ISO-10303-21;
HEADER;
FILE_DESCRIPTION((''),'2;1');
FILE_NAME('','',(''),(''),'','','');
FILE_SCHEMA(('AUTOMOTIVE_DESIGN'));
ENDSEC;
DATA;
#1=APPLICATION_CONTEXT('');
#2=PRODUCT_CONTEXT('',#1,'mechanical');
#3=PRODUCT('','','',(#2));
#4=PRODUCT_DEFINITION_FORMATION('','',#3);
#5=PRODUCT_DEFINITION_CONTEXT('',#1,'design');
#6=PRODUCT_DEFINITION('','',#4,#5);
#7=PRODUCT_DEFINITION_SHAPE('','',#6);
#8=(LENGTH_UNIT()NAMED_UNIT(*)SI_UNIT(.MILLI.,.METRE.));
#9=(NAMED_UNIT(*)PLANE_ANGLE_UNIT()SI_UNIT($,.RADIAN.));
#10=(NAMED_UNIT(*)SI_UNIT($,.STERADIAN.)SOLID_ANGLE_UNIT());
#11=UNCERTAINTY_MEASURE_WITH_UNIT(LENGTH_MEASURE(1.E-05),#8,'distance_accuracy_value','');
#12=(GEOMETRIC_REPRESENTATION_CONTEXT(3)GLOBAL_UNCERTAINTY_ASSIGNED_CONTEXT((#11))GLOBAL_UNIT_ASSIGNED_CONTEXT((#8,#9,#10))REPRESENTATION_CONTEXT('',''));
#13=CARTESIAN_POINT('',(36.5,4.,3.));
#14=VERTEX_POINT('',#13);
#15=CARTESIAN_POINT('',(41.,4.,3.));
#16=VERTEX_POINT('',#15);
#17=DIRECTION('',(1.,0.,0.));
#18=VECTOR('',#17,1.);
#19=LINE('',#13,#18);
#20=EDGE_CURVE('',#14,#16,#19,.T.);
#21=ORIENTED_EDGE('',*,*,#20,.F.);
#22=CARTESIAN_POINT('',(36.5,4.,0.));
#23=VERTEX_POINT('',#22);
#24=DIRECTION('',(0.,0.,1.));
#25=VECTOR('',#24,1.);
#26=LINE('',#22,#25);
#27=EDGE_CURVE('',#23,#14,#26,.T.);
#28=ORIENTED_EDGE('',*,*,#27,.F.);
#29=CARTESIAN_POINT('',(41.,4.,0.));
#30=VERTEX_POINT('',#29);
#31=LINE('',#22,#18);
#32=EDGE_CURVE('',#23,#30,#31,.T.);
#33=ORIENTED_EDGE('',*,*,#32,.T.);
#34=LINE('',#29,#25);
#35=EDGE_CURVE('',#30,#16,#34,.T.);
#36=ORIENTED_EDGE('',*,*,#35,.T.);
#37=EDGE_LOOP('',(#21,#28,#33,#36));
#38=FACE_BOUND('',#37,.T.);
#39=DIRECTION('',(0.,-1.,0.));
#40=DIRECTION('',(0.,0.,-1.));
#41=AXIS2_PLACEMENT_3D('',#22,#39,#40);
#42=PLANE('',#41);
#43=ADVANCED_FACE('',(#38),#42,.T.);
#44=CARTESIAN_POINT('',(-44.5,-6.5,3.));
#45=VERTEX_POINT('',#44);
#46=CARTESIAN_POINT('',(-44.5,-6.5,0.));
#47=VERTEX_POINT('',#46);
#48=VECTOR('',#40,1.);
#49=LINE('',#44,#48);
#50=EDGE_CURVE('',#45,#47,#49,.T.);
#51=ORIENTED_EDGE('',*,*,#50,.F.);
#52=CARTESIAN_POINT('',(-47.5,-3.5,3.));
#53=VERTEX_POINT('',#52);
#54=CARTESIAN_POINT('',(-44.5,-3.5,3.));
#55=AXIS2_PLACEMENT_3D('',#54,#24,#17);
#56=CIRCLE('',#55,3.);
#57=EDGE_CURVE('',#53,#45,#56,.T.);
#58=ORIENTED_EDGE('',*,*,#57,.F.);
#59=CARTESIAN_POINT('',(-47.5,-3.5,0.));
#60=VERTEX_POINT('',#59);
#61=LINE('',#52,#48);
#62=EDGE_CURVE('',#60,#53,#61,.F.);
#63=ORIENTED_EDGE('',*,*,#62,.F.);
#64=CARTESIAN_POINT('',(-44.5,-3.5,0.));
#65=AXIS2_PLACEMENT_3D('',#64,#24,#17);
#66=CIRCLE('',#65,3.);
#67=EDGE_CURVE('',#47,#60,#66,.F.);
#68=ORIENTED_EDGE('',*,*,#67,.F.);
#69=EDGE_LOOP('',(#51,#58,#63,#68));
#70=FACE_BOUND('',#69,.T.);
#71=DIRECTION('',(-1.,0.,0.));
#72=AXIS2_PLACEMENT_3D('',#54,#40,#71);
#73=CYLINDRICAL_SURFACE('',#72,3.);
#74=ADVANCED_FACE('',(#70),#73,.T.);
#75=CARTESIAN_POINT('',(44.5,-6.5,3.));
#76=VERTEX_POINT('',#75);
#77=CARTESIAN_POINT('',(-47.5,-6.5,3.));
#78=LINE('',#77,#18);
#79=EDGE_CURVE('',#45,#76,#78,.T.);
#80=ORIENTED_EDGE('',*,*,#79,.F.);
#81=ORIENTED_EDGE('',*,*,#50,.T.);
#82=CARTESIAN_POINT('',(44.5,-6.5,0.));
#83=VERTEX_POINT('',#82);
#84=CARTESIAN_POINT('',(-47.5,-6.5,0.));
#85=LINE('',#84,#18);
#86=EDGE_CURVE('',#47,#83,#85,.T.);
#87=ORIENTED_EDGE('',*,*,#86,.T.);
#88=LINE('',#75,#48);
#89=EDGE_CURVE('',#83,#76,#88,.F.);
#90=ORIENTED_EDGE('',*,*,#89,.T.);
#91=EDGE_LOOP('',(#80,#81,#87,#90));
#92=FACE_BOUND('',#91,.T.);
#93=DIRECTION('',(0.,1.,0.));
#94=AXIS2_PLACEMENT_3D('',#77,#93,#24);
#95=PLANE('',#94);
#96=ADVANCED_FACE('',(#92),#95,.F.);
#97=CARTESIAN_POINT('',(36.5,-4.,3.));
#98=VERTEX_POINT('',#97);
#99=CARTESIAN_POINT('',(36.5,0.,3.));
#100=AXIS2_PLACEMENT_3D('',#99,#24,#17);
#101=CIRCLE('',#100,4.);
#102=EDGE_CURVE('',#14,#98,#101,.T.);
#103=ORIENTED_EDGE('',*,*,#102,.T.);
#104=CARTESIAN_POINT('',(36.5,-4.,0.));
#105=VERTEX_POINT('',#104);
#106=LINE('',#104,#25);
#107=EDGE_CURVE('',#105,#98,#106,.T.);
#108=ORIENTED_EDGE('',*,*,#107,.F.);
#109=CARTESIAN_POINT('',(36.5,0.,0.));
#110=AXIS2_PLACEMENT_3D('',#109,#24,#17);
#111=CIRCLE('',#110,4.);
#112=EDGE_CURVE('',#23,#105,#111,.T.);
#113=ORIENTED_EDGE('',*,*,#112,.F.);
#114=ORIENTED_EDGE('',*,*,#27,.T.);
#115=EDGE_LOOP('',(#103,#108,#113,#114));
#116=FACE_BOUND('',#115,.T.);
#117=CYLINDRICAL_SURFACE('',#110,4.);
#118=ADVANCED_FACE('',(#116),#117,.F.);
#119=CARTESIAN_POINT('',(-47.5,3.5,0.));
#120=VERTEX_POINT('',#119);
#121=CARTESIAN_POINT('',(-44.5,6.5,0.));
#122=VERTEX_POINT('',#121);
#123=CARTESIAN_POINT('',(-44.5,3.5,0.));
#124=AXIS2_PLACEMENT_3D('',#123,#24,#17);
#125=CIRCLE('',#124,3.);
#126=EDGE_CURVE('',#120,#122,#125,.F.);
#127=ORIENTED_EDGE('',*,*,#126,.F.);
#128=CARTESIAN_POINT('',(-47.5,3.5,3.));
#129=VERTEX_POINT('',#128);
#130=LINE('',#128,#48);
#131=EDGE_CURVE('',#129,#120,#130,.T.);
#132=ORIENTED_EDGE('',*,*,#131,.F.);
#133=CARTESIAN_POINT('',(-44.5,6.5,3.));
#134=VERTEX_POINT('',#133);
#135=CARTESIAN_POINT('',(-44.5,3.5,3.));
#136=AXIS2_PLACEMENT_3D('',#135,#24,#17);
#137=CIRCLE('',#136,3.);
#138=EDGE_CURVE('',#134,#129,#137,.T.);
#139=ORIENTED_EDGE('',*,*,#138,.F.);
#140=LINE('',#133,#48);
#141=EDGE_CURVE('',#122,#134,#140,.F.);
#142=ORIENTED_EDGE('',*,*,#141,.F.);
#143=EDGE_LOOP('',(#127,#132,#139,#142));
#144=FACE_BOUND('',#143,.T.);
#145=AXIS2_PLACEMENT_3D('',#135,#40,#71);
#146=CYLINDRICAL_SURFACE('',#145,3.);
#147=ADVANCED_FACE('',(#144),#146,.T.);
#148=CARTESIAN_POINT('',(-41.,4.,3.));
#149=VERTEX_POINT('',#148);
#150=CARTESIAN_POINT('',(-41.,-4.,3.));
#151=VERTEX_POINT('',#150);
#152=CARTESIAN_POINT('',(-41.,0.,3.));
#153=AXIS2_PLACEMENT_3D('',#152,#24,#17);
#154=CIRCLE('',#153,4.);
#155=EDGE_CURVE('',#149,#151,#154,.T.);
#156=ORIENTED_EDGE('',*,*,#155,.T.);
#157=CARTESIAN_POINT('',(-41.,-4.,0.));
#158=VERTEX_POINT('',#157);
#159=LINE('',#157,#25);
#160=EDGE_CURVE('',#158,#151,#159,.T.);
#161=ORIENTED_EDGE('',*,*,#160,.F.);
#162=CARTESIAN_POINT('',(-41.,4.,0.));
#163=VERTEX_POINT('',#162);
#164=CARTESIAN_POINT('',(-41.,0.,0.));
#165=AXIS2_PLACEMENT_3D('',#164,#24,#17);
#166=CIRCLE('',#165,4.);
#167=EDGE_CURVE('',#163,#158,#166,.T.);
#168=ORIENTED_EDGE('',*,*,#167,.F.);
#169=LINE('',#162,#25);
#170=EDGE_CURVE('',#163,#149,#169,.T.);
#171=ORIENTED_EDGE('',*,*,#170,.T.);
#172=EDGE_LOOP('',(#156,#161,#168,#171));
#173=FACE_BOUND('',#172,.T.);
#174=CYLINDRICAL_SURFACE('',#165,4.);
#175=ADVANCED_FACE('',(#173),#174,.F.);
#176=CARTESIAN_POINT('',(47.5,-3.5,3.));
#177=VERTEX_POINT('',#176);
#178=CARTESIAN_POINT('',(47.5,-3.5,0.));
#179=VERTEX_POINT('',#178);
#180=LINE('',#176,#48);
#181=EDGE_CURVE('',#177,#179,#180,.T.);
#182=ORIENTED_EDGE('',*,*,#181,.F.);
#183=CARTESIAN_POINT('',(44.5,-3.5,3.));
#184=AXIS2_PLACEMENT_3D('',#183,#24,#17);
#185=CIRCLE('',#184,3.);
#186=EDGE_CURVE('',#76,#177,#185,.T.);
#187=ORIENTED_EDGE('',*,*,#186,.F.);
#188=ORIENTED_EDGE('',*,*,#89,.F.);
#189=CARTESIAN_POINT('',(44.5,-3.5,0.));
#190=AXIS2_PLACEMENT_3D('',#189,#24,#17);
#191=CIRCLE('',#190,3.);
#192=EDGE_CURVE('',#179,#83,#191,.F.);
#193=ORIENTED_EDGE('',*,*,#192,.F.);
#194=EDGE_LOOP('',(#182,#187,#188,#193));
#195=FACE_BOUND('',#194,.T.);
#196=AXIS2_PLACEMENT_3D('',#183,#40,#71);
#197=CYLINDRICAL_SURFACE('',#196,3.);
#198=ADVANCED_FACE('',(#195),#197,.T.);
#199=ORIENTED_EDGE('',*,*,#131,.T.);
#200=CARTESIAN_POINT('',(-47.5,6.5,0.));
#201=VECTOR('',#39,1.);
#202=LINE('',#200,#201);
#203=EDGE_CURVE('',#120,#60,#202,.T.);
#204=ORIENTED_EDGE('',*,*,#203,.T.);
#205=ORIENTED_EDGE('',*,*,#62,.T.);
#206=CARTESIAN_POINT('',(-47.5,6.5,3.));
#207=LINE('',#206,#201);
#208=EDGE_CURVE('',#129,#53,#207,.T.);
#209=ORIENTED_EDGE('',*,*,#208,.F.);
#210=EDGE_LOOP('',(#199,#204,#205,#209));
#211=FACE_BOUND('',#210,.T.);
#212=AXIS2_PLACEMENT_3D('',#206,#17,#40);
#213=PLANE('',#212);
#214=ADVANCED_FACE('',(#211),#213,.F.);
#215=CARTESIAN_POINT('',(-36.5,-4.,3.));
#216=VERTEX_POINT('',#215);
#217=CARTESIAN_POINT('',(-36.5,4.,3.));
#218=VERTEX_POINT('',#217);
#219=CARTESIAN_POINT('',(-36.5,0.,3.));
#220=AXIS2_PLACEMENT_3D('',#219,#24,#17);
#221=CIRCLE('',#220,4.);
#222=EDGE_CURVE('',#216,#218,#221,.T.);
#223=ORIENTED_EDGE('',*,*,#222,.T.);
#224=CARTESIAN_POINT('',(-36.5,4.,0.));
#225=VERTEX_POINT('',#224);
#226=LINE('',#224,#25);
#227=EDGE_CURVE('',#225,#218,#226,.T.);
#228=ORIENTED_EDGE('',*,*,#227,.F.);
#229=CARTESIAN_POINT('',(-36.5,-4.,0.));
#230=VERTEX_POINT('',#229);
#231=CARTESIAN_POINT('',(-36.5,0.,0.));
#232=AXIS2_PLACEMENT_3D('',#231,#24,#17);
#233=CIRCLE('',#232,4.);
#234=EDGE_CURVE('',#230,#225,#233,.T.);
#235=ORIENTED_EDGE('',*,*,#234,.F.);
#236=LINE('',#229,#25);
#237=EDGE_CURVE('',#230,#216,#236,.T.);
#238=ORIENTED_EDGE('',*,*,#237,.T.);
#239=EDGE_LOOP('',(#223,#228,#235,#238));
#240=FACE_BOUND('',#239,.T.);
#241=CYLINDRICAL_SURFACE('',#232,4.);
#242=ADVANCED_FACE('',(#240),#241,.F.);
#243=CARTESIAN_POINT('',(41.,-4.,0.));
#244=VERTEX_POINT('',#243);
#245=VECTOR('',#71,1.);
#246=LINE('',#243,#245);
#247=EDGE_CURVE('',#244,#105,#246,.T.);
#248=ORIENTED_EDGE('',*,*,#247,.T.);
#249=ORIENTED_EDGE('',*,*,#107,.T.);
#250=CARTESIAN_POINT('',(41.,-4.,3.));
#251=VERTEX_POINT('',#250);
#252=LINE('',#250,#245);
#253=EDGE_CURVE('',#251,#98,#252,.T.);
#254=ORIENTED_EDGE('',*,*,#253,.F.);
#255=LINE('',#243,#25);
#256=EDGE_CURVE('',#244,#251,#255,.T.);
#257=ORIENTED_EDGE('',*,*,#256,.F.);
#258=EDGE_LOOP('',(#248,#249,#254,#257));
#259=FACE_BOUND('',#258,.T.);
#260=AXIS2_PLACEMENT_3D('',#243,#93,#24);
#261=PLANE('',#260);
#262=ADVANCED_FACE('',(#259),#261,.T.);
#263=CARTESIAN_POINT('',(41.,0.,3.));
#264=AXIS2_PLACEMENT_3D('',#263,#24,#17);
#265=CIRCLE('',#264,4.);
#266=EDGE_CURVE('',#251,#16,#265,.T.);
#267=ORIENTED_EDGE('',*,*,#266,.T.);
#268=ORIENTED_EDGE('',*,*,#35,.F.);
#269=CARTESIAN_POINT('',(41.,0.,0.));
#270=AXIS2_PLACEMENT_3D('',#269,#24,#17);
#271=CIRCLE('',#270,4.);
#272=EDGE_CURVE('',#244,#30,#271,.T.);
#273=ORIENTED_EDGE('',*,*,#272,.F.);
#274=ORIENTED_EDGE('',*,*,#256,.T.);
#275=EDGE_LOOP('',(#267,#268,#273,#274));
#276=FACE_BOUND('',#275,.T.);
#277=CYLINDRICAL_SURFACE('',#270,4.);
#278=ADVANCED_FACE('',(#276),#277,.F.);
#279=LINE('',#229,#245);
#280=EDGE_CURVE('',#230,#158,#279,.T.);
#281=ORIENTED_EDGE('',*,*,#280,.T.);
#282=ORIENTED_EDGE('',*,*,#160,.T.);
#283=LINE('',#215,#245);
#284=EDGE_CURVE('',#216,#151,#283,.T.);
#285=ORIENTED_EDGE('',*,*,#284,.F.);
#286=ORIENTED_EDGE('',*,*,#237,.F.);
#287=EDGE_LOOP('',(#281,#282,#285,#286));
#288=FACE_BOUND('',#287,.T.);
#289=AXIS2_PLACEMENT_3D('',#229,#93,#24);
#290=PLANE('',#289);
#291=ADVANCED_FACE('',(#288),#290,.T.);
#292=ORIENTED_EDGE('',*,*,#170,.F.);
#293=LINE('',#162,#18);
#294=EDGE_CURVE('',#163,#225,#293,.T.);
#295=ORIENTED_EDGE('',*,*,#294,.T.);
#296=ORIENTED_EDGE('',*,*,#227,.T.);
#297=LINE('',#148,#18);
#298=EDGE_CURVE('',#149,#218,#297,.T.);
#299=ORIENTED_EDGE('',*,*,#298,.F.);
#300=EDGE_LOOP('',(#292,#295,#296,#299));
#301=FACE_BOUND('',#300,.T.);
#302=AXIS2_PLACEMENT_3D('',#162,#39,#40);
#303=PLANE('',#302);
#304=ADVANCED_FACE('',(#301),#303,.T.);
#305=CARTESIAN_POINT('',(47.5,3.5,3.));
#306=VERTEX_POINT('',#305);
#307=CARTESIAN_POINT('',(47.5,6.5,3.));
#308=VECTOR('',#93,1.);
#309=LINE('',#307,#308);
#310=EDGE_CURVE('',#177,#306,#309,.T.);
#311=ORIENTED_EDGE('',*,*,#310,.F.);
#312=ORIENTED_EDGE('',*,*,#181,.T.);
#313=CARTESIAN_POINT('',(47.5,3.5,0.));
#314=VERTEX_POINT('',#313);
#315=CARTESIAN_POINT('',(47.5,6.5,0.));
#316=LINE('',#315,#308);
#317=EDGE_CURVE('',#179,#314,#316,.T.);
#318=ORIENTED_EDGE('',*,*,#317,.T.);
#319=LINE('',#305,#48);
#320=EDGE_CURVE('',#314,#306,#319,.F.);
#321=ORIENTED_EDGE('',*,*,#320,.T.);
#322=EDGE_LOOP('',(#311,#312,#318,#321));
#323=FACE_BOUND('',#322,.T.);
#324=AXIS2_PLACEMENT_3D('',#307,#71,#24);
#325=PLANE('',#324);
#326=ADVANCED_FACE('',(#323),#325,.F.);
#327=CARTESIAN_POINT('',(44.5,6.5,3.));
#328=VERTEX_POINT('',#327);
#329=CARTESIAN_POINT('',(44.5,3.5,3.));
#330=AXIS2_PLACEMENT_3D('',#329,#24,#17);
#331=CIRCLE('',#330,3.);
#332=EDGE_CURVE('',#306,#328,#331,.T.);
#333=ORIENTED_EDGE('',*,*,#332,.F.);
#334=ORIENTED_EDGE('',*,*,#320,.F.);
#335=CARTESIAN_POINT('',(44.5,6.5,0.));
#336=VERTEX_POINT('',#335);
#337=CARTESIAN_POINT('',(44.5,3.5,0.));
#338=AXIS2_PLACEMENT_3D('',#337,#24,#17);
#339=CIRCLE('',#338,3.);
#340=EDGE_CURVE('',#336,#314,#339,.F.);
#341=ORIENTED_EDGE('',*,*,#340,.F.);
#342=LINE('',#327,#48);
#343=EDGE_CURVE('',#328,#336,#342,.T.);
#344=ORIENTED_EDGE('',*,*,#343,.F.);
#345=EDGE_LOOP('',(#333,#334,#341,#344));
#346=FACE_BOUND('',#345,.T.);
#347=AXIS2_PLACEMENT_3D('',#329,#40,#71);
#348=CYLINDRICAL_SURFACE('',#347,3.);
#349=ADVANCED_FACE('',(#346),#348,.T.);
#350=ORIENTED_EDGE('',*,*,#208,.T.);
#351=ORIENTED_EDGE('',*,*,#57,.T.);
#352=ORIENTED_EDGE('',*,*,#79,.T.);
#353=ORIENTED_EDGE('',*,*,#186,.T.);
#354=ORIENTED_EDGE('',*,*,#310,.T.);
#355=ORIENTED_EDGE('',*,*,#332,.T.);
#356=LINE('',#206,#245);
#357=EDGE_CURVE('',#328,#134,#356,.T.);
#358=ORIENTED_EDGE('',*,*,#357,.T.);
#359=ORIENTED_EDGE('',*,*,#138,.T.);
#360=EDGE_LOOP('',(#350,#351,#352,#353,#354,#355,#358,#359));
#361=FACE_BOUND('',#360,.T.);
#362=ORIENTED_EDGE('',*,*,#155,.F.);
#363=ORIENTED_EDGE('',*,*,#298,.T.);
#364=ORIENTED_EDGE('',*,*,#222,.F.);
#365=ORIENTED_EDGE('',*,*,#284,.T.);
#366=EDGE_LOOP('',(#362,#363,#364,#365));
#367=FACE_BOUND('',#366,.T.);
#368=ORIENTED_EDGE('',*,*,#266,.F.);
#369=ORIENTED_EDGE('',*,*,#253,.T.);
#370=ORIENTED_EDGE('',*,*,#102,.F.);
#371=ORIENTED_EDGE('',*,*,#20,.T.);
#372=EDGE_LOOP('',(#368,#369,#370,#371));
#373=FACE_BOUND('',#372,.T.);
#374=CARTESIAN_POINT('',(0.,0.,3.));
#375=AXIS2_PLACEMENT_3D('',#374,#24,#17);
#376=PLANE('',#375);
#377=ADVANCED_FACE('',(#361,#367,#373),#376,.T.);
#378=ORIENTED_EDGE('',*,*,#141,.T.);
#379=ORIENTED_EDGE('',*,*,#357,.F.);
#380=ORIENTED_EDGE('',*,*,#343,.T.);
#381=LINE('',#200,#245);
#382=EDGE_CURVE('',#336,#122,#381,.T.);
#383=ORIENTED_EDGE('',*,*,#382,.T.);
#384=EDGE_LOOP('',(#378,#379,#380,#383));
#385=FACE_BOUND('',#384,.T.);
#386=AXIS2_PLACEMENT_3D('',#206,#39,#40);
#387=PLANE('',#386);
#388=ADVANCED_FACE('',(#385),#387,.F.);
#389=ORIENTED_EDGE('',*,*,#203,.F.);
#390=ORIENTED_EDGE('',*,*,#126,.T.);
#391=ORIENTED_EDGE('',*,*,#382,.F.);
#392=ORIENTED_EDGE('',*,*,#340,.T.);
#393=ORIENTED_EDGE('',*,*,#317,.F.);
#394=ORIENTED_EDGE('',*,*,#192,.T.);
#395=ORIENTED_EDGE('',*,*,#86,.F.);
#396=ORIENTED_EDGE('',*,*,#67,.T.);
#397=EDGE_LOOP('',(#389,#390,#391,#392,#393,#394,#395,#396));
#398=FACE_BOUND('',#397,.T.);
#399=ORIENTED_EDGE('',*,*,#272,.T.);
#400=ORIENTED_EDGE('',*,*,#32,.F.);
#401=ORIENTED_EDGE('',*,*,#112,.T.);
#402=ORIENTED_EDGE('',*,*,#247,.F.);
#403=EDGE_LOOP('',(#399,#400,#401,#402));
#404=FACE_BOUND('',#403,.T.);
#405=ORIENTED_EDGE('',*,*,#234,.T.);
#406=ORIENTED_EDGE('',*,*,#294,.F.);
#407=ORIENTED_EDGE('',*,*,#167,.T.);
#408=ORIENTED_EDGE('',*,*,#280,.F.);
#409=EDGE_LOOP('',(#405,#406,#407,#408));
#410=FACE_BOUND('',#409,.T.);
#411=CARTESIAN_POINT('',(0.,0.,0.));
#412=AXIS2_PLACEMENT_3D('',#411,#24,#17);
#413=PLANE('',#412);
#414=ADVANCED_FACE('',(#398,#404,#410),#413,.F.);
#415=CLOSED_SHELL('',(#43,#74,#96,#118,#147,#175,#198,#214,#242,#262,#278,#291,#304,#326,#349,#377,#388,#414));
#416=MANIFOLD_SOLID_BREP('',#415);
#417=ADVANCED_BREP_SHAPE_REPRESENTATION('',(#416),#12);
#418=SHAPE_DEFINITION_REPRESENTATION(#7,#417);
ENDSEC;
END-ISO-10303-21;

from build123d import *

# Parameters (mm, degrees)
SKETCH_1_W          = 95
SKETCH_1_H          = 13
EXTRUDE_1_DEPTH     = 3
SKETCH_2_R          = 4
CUT_EXTRUDE_1_DEPTH = 3
FILLET_1_R          = 3
SKETCH_3_R          = 4
CUT_EXTRUDE_2_DEPTH = 3
SKETCH_4_W          = 4.5
SKETCH_4_H          = 8
CUT_EXTRUDE_3_DEPTH = 3


with BuildPart() as part:
    # ｽｹｯﾁ1 → ﾎﾞｽ - 押し出し1 (new body)
    with BuildSketch(Plane.XY):
        Rectangle(SKETCH_1_W, SKETCH_1_H)
    extrude(amount=EXTRUDE_1_DEPTH)

    # ｽｹｯﾁ2 → ｶｯﾄ - 押し出し1 (cut)
    with BuildSketch(Plane.XY.offset(3)):
        with Locations((41, 0)):
            Circle(SKETCH_2_R)
        with Locations((-41, 0)):
            Circle(SKETCH_2_R)
    extrude(amount=-CUT_EXTRUDE_1_DEPTH, mode=Mode.SUBTRACT)

    # ﾌｨﾚｯﾄ1
    fillet_1_edges = [part.edges().sort_by_distance(p)[0] for p in [
        (47.5, -6.5, 1.5),
        (-47.5, -6.5, 1.5),
        (-47.5, 6.5, 1.5),
        (47.5, 6.5, 1.5),
    ]]
    fillet(fillet_1_edges, radius=FILLET_1_R)

    # ｽｹｯﾁ3 → ｶｯﾄ - 押し出し2 (cut)
    with BuildSketch(Plane.XY.offset(3)):
        with Locations((36.5, 0)):
            Circle(SKETCH_3_R)
        with Locations((-36.5, 0)):
            Circle(SKETCH_3_R)
    extrude(amount=-CUT_EXTRUDE_2_DEPTH, mode=Mode.SUBTRACT)

    # ｽｹｯﾁ4 → ｶｯﾄ - 押し出し3 (cut)
    with BuildSketch(Plane.XY.offset(3)):
        with Locations((-38.75, 0)):
            Rectangle(SKETCH_4_W, SKETCH_4_H)
        with Locations((38.75, 0)):
            Rectangle(SKETCH_4_W, SKETCH_4_H)
    extrude(amount=-CUT_EXTRUDE_3_DEPTH, mode=Mode.SUBTRACT)


solid = part.part
